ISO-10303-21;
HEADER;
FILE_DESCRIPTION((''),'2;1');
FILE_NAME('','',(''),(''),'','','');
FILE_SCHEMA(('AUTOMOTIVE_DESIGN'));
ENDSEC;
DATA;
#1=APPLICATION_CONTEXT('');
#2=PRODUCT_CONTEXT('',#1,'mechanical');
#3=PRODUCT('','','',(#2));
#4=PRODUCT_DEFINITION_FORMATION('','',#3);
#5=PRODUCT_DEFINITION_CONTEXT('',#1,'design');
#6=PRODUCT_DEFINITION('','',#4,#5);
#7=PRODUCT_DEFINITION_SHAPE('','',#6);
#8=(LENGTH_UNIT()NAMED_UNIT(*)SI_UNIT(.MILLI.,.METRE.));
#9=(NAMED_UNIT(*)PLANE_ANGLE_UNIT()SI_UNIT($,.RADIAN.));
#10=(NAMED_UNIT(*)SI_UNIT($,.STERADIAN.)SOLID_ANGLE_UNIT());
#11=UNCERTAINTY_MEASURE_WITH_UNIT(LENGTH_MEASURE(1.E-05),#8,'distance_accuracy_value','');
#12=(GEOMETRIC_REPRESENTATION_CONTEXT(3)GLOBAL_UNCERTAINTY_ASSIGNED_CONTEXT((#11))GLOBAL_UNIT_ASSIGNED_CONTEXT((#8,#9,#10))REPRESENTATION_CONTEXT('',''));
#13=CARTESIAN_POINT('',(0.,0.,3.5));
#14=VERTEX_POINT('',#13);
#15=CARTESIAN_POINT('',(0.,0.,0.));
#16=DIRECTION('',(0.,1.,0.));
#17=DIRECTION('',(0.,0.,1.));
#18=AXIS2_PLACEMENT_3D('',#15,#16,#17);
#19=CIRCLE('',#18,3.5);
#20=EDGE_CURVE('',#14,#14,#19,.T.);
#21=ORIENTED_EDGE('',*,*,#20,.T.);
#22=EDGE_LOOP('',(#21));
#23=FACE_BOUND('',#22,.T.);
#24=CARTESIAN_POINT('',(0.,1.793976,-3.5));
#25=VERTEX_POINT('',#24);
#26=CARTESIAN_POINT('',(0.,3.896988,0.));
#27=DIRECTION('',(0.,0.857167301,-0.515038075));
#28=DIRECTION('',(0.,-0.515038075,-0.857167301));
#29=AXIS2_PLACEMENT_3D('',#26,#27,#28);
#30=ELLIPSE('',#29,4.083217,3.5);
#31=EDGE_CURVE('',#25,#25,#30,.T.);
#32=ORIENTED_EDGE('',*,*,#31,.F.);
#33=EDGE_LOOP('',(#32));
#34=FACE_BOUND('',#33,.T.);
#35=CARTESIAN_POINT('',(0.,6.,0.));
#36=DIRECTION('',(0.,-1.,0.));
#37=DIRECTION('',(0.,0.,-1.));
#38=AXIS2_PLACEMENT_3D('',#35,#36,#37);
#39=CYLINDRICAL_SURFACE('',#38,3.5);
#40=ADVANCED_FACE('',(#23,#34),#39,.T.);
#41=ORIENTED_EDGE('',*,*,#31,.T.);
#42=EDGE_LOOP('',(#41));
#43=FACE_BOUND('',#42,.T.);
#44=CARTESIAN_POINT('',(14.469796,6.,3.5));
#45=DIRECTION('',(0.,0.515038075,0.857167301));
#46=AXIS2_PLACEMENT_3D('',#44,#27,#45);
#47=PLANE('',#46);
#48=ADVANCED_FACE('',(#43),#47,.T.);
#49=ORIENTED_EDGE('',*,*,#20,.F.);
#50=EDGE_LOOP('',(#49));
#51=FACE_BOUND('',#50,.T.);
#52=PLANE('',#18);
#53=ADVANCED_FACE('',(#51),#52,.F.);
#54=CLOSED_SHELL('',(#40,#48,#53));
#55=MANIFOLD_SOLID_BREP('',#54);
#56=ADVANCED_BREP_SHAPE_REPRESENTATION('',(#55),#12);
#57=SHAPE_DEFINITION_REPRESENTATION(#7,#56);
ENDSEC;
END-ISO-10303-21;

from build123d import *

# Parameters (mm, degrees)
SKETCH1_R               = 3.5
BOSS_EXTRUDE1_DEPTH     = 6
CUT_EXTRUDE1_DEPTH      = 8.778174593
CUT_EXTRUDE1_DEPTH_BACK = 8.778174593


with BuildPart() as part:
    # Sketch1 → Boss-Extrude1 (new body)
    with BuildSketch(Plane(origin=(0, 0, 0), x_dir=(1, 0, 0), z_dir=(0, 1, 0))):
        with Locations(Location((0, 0, 0), (0, 0, 270))):
            Circle(SKETCH1_R)
    extrude(amount=BOSS_EXTRUDE1_DEPTH)

    # Sketch2 → Cut-Extrude1 (cut, two sides: drawn at the far end of the back side and taken through both)
    with BuildSketch(Plane(origin=(0, 0, 0), x_dir=(0, 0, -1), z_dir=(1, 0, 0)).offset(-CUT_EXTRUDE1_DEPTH_BACK)):
        Polygon((-27.877057079, 20.647213607), (-3.5, 6), (3.5, 1.793975667), (27.877057079, -12.85323794), (57.171484293, 35.900876219), (1.417370134, 69.401327765), align=None)
    extrude(amount=CUT_EXTRUDE1_DEPTH + CUT_EXTRUDE1_DEPTH_BACK, mode=Mode.SUBTRACT)


solid = part.part
